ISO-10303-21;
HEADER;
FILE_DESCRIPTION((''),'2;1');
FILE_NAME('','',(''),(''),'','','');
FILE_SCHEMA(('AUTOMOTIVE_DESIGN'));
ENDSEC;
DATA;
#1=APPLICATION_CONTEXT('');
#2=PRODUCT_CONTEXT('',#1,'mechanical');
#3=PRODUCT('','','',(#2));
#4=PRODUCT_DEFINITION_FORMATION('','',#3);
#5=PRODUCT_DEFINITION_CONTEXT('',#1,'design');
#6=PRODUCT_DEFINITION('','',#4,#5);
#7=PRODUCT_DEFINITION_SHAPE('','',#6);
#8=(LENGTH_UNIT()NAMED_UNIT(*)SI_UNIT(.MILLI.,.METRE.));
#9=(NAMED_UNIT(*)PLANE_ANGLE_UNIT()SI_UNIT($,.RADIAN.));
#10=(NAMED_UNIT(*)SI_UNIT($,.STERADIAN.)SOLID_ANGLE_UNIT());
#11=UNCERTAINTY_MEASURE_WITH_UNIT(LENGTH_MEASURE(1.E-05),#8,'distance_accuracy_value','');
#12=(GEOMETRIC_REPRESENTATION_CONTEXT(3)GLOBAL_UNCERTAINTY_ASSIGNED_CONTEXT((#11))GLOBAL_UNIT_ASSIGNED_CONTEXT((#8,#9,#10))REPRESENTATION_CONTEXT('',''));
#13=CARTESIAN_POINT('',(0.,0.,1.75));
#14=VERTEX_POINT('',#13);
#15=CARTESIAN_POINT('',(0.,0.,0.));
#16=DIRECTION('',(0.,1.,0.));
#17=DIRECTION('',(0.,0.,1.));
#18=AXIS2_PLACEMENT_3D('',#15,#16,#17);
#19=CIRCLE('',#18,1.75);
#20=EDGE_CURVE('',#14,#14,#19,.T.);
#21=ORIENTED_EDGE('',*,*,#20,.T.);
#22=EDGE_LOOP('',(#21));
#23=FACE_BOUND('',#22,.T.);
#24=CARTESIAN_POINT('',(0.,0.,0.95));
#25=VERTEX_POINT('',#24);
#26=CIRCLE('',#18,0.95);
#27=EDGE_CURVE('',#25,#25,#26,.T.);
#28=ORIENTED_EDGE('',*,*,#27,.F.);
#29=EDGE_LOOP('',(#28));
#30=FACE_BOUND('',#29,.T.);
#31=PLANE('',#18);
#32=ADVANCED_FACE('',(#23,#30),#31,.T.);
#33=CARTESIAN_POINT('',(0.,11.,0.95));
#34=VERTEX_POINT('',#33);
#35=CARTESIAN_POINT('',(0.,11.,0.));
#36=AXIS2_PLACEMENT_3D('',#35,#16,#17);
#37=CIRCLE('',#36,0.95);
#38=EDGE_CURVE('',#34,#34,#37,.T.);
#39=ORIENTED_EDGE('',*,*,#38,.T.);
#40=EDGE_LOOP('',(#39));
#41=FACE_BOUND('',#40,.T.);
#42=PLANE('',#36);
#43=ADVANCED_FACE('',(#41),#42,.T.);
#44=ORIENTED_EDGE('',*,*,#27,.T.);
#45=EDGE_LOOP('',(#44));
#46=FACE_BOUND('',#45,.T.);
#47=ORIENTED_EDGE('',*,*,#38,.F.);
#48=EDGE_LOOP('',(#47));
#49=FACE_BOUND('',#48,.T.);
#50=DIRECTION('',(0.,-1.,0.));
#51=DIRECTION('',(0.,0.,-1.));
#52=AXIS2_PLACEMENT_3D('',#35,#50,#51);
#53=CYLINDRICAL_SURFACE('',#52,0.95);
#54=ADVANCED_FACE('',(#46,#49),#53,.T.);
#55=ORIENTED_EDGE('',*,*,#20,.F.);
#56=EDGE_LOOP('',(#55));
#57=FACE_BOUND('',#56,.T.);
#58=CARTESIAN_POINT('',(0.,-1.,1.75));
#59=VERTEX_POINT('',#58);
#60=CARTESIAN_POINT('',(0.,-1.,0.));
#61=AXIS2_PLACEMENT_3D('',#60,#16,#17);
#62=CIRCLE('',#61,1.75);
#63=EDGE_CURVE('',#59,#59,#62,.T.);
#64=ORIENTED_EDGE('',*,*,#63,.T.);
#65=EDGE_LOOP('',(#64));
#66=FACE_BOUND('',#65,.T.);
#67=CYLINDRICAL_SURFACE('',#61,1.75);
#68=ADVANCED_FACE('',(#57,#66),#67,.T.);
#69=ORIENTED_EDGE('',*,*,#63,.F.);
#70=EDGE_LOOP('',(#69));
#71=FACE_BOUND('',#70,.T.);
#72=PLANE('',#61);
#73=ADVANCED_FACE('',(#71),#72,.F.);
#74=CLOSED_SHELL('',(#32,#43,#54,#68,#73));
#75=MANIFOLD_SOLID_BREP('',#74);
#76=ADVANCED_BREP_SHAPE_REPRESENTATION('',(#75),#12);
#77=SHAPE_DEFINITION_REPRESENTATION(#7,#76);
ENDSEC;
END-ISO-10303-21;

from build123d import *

# Parameters (mm, degrees)
SKETCH1_R           = 1.75
BOSS_EXTRUDE1_DEPTH = 1
SKETCH1_4_R         = 0.95
BOSS_EXTRUDE2_DEPTH = 11


with BuildPart() as part:
    # Sketch1 → Boss-Extrude1 (new body)
    with BuildSketch(Plane(origin=(0, 0, 0), x_dir=(1, 0, 0), z_dir=(0, 1, 0))):
        Circle(SKETCH1_R)
    extrude(amount=-BOSS_EXTRUDE1_DEPTH)

    # Sketch1<4> → Boss-Extrude2 (add)
    with BuildSketch(Plane(origin=(0, 0, 0), x_dir=(1, 0, 0), z_dir=(0, 1, 0))):
        Circle(SKETCH1_4_R)
    extrude(amount=BOSS_EXTRUDE2_DEPTH)


solid = part.part
